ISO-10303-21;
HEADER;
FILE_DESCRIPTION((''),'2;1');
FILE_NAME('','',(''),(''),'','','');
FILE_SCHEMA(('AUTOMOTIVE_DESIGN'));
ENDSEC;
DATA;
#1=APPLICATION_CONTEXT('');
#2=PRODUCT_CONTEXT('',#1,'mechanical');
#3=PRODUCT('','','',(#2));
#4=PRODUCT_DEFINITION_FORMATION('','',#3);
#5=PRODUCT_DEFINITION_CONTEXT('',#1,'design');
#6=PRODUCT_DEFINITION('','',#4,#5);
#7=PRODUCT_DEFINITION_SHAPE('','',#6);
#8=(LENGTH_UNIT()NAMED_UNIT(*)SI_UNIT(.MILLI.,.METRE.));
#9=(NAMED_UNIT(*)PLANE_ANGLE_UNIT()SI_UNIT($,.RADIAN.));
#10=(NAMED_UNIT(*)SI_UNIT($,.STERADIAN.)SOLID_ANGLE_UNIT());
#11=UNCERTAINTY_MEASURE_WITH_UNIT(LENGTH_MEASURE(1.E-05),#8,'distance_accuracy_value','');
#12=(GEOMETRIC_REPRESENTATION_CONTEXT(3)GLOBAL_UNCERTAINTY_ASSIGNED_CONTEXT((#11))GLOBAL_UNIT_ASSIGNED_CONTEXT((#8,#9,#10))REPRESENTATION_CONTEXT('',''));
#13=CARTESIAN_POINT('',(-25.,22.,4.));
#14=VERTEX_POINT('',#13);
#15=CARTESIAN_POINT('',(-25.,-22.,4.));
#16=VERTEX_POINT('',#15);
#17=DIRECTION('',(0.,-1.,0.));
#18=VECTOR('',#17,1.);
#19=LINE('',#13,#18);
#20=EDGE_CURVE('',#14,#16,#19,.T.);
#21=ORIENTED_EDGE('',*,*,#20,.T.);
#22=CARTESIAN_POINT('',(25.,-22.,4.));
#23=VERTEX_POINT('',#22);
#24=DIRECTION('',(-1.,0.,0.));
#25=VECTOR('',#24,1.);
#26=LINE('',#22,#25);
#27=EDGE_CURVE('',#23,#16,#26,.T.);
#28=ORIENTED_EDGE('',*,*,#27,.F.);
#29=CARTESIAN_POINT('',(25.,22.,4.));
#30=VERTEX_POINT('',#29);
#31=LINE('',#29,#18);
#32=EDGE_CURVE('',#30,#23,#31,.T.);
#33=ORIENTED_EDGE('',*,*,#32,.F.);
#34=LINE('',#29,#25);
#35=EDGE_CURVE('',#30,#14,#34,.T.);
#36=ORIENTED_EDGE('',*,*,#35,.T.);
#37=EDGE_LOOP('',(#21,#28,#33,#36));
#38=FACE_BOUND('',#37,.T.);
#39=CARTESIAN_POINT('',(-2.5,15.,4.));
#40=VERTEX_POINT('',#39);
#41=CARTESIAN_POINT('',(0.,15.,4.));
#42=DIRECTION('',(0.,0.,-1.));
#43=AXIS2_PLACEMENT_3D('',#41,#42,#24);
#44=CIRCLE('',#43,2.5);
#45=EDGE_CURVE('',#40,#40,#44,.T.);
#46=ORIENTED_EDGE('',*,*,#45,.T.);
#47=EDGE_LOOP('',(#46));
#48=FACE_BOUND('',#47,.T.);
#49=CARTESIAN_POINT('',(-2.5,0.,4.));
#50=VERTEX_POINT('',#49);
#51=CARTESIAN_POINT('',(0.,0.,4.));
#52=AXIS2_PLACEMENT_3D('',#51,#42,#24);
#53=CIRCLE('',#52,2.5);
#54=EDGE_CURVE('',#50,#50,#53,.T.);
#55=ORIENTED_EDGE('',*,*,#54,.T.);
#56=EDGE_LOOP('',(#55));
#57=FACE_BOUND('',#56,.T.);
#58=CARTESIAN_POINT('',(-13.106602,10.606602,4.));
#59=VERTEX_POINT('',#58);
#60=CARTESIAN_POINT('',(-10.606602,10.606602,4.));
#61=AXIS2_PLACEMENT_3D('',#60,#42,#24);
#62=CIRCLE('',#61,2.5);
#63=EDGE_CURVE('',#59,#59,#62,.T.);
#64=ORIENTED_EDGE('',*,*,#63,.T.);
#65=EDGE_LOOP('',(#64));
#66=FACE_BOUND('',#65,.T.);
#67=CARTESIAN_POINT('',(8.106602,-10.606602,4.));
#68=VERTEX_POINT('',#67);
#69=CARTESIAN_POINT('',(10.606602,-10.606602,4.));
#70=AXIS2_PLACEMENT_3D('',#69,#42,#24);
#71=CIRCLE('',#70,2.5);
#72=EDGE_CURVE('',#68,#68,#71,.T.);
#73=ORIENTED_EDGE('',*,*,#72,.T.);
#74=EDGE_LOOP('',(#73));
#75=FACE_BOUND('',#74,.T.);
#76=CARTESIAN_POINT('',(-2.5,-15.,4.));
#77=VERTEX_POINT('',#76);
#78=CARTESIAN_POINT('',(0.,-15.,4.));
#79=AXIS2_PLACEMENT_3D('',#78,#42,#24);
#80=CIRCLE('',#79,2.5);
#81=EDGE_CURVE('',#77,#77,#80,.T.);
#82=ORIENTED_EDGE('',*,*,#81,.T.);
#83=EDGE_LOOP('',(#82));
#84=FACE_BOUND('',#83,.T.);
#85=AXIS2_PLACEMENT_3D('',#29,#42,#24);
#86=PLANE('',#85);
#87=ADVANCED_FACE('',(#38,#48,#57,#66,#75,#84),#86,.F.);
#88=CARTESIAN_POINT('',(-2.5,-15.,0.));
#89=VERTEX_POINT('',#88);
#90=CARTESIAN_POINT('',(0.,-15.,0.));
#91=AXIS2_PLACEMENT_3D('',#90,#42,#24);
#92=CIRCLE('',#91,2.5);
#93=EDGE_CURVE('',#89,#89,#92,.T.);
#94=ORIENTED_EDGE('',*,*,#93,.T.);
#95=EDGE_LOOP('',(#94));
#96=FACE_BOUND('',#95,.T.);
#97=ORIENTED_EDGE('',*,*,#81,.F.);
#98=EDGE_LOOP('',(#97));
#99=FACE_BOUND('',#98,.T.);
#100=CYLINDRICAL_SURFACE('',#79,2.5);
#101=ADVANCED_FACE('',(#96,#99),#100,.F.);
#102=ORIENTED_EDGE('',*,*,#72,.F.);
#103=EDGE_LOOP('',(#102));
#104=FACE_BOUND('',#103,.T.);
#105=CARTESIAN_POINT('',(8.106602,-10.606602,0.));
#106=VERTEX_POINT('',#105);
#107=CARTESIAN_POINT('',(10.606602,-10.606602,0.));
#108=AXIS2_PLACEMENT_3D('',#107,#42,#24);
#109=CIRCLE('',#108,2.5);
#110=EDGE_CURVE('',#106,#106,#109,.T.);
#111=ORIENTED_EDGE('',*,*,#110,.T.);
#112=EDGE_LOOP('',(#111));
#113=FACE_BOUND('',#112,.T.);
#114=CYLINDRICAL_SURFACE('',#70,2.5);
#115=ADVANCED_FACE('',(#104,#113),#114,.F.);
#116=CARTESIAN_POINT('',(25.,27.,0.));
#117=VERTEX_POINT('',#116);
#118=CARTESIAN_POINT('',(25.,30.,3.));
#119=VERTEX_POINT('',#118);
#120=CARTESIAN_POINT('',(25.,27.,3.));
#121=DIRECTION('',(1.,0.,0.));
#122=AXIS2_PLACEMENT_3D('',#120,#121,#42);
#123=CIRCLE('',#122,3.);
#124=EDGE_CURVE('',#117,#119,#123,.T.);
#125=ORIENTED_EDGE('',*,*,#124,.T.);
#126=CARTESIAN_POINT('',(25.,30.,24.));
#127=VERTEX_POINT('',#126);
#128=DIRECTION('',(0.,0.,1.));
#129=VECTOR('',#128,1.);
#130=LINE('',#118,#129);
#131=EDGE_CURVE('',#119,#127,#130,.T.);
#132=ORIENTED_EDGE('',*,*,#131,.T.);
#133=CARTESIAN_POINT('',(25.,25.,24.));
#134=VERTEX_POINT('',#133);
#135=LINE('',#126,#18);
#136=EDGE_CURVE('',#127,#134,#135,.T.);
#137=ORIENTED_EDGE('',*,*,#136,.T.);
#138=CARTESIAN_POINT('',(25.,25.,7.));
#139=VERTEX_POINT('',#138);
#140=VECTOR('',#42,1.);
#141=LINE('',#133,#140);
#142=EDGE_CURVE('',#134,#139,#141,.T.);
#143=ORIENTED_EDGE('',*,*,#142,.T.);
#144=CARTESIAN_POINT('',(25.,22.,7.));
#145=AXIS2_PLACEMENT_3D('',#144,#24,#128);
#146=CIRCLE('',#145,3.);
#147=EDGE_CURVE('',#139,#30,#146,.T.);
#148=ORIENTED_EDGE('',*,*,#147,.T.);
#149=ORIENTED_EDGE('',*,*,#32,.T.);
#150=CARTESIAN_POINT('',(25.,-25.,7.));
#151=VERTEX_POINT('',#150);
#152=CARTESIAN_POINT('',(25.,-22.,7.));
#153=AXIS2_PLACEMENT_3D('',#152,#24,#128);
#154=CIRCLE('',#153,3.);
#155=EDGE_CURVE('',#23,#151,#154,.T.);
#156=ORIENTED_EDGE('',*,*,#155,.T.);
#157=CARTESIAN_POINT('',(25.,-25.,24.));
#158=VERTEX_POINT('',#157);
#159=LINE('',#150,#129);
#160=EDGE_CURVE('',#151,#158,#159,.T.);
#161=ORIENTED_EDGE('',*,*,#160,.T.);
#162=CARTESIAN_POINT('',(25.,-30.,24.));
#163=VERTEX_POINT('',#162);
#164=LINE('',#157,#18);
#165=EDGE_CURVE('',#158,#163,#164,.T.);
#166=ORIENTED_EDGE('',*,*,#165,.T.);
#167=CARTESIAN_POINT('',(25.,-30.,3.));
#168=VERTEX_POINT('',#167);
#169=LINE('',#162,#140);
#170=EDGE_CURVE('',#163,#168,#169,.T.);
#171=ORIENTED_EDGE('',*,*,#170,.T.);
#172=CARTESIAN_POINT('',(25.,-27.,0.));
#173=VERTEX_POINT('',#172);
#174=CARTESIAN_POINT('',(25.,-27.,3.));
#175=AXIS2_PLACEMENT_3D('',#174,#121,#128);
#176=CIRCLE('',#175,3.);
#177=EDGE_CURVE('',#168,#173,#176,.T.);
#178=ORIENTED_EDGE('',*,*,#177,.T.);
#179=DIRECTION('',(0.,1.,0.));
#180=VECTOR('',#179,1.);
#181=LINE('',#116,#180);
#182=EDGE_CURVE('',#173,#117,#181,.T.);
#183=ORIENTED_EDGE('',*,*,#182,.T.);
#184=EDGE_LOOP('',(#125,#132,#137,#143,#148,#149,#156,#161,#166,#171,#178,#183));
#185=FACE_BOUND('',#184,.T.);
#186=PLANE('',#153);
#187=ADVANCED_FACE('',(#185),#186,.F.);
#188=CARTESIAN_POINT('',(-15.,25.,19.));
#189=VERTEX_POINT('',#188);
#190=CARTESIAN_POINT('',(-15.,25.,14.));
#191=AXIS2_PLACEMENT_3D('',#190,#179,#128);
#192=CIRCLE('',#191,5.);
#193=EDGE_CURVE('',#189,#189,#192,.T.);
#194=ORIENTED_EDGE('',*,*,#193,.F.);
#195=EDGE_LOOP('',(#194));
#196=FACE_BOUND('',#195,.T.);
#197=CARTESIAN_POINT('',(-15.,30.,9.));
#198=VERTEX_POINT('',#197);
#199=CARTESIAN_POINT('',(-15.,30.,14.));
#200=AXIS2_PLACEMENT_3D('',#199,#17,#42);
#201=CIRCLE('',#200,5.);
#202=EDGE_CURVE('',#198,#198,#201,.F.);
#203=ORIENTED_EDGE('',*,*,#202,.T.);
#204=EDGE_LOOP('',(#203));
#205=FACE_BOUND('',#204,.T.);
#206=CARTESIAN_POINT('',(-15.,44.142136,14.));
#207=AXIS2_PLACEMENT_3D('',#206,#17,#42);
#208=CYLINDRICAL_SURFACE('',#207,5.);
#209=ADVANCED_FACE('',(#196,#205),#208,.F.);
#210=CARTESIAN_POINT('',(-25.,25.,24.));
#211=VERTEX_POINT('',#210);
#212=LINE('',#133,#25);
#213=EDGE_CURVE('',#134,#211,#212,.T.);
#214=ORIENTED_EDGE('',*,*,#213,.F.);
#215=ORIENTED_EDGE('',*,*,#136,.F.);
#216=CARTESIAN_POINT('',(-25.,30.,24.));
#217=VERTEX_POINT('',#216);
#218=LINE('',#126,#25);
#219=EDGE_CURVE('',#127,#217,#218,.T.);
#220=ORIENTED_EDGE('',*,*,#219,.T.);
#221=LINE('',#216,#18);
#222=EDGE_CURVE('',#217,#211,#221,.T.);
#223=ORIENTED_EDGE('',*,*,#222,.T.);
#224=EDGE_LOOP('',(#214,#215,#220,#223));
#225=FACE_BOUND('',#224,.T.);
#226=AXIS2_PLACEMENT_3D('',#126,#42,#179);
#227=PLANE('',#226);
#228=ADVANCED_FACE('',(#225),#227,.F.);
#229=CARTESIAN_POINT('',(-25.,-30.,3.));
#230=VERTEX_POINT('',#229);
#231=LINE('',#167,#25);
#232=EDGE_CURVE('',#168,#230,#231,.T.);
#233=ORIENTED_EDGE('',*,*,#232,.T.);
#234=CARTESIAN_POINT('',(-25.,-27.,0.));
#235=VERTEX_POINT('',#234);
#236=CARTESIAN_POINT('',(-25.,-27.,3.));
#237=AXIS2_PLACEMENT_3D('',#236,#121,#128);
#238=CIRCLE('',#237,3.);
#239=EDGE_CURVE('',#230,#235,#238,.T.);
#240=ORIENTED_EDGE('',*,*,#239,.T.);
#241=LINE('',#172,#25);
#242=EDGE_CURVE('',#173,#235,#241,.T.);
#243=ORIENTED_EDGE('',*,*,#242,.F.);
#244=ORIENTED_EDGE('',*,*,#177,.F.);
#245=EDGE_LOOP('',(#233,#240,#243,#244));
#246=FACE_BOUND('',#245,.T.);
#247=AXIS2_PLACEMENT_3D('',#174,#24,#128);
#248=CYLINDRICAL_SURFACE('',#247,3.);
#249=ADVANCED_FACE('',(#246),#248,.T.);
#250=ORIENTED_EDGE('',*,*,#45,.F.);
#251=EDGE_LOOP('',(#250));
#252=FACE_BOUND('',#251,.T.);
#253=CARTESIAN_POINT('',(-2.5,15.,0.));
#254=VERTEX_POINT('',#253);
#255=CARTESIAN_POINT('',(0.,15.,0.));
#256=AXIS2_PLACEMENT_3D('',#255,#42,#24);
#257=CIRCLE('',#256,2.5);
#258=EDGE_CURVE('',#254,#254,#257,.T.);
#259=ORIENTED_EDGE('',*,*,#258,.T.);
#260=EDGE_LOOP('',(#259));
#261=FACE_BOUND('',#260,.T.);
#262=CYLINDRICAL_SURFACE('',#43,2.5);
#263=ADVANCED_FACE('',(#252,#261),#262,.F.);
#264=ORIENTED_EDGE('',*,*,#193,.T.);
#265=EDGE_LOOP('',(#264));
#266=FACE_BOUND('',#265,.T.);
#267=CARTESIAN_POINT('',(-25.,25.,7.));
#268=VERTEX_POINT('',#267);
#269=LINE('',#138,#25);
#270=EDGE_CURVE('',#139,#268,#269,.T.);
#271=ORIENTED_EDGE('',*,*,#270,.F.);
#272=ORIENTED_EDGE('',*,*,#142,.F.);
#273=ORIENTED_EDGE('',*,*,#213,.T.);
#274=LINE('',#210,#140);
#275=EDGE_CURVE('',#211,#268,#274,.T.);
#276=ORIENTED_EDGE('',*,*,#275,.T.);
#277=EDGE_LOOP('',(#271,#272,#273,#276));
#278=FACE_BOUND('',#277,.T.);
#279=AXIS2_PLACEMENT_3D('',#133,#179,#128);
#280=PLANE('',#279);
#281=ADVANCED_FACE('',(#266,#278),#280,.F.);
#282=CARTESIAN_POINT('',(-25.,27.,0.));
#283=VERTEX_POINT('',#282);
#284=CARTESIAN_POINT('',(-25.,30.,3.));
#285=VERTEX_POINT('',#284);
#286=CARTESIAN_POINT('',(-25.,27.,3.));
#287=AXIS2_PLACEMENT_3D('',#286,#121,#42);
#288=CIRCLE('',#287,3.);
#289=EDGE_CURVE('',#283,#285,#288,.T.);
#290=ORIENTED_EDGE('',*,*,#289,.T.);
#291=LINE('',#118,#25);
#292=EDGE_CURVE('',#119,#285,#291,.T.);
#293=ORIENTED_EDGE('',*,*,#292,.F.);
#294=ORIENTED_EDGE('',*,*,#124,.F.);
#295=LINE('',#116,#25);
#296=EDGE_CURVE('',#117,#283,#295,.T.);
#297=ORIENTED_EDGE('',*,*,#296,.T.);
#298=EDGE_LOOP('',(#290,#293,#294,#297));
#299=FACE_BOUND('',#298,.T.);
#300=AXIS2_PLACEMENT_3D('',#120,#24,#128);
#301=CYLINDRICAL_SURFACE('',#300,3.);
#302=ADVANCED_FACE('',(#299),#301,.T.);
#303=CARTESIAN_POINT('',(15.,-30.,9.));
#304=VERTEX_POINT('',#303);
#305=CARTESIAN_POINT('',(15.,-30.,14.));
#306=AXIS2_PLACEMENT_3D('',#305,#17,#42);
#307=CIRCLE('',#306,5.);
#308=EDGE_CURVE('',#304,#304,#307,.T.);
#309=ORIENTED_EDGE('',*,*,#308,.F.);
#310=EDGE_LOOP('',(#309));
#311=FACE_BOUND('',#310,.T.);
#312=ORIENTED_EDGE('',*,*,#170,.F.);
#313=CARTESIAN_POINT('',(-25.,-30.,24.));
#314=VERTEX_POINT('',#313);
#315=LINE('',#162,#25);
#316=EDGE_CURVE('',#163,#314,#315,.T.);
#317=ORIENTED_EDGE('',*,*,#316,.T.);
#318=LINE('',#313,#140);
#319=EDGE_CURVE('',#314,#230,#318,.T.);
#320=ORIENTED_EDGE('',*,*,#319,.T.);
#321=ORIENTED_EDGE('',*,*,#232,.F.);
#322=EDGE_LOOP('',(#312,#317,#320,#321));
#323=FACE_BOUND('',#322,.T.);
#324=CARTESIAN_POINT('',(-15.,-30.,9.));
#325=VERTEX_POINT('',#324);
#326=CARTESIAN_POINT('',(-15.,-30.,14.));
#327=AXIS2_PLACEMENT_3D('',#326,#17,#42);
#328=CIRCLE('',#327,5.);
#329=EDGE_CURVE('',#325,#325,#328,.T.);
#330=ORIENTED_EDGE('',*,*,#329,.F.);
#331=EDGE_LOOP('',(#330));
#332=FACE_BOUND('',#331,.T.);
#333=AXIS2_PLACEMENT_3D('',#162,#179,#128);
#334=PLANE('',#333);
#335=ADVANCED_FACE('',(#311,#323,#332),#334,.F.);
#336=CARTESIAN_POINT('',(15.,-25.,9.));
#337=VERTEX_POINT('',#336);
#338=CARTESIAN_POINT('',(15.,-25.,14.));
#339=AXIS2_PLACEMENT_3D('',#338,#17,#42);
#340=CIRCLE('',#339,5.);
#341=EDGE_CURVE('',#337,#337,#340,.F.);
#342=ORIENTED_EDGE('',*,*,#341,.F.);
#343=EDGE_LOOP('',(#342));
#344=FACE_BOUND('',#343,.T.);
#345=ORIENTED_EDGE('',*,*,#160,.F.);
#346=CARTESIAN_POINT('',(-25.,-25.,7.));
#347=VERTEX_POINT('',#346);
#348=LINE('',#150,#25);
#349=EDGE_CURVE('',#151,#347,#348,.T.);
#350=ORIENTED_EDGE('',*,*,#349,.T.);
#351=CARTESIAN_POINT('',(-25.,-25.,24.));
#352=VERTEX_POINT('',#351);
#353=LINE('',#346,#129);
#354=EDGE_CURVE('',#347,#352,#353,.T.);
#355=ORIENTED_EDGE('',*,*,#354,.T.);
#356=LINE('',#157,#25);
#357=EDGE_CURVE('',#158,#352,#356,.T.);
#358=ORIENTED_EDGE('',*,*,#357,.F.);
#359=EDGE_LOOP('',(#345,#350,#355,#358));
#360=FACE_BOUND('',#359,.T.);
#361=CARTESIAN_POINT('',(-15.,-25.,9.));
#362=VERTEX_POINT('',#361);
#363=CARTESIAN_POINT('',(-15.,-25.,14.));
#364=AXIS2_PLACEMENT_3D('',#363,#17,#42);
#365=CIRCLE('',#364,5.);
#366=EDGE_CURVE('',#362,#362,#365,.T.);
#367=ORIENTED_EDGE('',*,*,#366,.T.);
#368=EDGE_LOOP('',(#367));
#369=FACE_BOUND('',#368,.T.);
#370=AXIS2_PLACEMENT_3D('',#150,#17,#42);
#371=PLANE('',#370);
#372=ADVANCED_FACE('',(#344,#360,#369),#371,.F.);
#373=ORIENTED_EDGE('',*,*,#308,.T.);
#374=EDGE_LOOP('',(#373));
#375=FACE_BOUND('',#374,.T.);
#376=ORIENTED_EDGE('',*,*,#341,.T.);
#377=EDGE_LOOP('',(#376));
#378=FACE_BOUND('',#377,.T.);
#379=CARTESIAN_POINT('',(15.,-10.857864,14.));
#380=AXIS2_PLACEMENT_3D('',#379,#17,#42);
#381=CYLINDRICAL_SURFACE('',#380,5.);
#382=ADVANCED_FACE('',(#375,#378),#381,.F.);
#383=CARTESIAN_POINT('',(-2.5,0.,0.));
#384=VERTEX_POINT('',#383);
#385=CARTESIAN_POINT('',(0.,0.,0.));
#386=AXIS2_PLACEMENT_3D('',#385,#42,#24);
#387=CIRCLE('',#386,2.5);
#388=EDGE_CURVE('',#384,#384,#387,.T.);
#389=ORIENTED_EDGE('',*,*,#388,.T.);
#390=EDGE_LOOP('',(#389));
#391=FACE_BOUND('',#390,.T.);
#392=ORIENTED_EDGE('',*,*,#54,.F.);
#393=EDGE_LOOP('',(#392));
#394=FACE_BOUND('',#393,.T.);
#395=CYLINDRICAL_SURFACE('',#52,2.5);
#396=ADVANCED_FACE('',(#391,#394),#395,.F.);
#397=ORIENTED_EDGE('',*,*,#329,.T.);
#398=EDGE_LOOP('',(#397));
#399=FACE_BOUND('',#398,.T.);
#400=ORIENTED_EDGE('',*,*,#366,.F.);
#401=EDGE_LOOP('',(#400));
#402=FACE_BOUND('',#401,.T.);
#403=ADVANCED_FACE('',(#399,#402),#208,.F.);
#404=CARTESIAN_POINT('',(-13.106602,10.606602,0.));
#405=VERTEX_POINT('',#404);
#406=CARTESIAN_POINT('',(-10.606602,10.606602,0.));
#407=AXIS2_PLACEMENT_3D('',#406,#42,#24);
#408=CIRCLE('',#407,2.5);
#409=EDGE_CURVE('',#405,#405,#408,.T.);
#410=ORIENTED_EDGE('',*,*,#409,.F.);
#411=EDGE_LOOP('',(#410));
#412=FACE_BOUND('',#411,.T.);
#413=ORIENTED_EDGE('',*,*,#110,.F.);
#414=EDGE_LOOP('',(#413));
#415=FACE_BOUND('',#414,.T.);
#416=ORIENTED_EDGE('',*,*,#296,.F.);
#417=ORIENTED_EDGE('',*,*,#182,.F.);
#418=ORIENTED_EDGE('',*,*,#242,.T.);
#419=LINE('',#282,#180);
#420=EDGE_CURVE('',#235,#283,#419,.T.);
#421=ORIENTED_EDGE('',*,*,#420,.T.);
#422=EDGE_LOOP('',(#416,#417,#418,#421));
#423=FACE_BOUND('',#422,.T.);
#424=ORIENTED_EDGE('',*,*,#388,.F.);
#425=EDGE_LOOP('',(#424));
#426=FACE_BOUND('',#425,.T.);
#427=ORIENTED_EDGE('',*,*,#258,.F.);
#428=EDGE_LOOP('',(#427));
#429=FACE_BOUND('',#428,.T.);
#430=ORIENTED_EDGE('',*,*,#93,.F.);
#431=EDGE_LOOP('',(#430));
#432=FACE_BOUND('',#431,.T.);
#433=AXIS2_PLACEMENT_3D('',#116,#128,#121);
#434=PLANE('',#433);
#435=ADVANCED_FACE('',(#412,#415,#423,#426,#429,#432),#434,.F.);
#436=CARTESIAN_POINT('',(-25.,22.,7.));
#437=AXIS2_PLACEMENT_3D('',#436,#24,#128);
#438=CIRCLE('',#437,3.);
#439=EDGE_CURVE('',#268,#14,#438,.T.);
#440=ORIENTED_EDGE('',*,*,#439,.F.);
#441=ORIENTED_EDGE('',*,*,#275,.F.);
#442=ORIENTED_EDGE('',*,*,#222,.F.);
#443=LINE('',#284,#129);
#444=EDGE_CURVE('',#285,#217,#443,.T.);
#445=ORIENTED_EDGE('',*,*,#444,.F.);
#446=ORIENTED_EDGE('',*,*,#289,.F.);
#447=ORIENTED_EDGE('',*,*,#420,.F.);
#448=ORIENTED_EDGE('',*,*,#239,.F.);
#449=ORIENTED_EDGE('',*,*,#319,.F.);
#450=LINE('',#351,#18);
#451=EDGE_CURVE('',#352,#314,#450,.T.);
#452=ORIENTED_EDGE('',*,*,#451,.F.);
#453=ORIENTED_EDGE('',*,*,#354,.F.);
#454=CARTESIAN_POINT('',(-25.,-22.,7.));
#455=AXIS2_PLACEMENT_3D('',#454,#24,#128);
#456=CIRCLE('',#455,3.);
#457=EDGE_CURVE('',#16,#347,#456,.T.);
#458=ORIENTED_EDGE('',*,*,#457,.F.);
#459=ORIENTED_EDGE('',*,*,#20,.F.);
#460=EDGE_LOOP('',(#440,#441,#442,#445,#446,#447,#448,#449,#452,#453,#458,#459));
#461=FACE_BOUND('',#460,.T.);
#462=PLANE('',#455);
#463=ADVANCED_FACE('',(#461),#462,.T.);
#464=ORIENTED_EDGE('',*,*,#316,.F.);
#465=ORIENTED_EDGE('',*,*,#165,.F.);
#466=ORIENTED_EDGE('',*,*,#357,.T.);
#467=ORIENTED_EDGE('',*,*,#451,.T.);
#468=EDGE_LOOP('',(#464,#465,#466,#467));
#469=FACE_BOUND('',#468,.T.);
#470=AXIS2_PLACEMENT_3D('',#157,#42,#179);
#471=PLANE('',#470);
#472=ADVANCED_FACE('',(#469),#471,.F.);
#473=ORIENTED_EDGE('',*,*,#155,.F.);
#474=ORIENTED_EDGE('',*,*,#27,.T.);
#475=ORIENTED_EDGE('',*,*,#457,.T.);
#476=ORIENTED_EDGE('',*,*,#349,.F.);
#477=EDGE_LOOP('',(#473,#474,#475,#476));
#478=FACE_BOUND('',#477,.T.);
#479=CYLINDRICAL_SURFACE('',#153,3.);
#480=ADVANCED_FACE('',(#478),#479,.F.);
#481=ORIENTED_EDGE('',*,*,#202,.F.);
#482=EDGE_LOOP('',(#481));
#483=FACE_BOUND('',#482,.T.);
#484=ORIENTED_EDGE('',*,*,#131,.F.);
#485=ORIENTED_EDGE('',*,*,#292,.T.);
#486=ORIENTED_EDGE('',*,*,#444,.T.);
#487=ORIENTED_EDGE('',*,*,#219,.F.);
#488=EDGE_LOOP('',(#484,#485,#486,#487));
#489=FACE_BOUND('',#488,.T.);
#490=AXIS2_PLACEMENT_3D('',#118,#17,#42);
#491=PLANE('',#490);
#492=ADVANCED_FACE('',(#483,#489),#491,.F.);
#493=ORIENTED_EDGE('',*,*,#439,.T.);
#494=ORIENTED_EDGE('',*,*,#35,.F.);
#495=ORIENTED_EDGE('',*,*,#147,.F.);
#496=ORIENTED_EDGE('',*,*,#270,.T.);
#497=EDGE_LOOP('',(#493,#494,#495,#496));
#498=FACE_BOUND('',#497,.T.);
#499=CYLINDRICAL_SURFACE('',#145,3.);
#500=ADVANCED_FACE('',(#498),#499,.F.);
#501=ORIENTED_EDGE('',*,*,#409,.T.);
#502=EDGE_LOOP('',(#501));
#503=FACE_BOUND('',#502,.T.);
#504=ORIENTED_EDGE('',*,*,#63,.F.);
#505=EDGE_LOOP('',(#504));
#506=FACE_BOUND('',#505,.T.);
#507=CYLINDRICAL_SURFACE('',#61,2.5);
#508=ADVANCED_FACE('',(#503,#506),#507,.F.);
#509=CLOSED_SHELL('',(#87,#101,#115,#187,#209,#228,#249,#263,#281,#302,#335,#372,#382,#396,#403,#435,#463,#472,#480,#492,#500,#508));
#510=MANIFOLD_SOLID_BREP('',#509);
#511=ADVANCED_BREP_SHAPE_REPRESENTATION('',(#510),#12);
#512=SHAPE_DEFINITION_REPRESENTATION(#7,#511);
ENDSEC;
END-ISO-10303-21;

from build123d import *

# Parameters (mm, degrees)
BOSS_EXTRUDE1_DEPTH = 25
SKETCH2_R           = 2.5
CUT_EXTRUDE1_DEPTH  = 4
SKETCH5_R           = 5
CUT_EXTRUDE2_DEPTH  = 60
SKETCH5_3_R         = 5
CUT_EXTRUDE3_DEPTH  = 5


with BuildPart() as part:
    # Sketch1 → Boss-Extrude1 (new body, symmetric)
    with BuildSketch(Plane(origin=(0, 0, 0), x_dir=(0, 0, -1), z_dir=(1, 0, 0))):
        with BuildLine():
            Line((0, 27), (0, -27))
            ThreePointArc((0, -27), (-0.878679656, -29.121320344), (-3, -30))
            Line((-3, -30), (-24, -30))
            Line((-24, -30), (-24, -25))
            Line((-24, -25), (-7, -25))
            ThreePointArc((-7, -25), (-4.878679656, -24.121320344), (-4, -22))
            Line((-4, -22), (-4, 22))
            ThreePointArc((-4, 22), (-4.878679656, 24.121320344), (-7, 25))
            Line((-7, 25), (-24, 25))
            Line((-24, 25), (-24, 30))
            Line((-24, 30), (-3, 30))
            ThreePointArc((-3, 30), (-0.878679656, 29.121320344), (0, 27))
        make_face()
    extrude(amount=BOSS_EXTRUDE1_DEPTH, both=True)

    # Sketch2 → Cut-Extrude1 (cut)
    with BuildSketch(Plane(origin=(0, 0, 0), x_dir=(-1, 0, 0), z_dir=(0, 0, -1))):
        Circle(SKETCH2_R)
        with Locations((0, 15)):
            Circle(SKETCH2_R)
        with Locations((10.606601718, 10.606601718)):
            Circle(SKETCH2_R)
        with Locations((-10.606601718, -10.606601718)):
            Circle(SKETCH2_R)
        with Locations((0, -15)):
            Circle(SKETCH2_R)
    extrude(amount=-CUT_EXTRUDE1_DEPTH, mode=Mode.SUBTRACT)

    # Sketch5 → Cut-Extrude2 (cut)
    with BuildSketch(Plane.XZ.offset(30)):
        with Locations((-15, 14)):
            Circle(SKETCH5_R)
    extrude(amount=-CUT_EXTRUDE2_DEPTH, mode=Mode.SUBTRACT)

    # Sketch5<3> → Cut-Extrude3 (cut)
    with BuildSketch(Plane.XZ.offset(30)):
        with Locations((15, 14)):
            Circle(SKETCH5_3_R)
    extrude(amount=-CUT_EXTRUDE3_DEPTH, mode=Mode.SUBTRACT)


solid = part.part
